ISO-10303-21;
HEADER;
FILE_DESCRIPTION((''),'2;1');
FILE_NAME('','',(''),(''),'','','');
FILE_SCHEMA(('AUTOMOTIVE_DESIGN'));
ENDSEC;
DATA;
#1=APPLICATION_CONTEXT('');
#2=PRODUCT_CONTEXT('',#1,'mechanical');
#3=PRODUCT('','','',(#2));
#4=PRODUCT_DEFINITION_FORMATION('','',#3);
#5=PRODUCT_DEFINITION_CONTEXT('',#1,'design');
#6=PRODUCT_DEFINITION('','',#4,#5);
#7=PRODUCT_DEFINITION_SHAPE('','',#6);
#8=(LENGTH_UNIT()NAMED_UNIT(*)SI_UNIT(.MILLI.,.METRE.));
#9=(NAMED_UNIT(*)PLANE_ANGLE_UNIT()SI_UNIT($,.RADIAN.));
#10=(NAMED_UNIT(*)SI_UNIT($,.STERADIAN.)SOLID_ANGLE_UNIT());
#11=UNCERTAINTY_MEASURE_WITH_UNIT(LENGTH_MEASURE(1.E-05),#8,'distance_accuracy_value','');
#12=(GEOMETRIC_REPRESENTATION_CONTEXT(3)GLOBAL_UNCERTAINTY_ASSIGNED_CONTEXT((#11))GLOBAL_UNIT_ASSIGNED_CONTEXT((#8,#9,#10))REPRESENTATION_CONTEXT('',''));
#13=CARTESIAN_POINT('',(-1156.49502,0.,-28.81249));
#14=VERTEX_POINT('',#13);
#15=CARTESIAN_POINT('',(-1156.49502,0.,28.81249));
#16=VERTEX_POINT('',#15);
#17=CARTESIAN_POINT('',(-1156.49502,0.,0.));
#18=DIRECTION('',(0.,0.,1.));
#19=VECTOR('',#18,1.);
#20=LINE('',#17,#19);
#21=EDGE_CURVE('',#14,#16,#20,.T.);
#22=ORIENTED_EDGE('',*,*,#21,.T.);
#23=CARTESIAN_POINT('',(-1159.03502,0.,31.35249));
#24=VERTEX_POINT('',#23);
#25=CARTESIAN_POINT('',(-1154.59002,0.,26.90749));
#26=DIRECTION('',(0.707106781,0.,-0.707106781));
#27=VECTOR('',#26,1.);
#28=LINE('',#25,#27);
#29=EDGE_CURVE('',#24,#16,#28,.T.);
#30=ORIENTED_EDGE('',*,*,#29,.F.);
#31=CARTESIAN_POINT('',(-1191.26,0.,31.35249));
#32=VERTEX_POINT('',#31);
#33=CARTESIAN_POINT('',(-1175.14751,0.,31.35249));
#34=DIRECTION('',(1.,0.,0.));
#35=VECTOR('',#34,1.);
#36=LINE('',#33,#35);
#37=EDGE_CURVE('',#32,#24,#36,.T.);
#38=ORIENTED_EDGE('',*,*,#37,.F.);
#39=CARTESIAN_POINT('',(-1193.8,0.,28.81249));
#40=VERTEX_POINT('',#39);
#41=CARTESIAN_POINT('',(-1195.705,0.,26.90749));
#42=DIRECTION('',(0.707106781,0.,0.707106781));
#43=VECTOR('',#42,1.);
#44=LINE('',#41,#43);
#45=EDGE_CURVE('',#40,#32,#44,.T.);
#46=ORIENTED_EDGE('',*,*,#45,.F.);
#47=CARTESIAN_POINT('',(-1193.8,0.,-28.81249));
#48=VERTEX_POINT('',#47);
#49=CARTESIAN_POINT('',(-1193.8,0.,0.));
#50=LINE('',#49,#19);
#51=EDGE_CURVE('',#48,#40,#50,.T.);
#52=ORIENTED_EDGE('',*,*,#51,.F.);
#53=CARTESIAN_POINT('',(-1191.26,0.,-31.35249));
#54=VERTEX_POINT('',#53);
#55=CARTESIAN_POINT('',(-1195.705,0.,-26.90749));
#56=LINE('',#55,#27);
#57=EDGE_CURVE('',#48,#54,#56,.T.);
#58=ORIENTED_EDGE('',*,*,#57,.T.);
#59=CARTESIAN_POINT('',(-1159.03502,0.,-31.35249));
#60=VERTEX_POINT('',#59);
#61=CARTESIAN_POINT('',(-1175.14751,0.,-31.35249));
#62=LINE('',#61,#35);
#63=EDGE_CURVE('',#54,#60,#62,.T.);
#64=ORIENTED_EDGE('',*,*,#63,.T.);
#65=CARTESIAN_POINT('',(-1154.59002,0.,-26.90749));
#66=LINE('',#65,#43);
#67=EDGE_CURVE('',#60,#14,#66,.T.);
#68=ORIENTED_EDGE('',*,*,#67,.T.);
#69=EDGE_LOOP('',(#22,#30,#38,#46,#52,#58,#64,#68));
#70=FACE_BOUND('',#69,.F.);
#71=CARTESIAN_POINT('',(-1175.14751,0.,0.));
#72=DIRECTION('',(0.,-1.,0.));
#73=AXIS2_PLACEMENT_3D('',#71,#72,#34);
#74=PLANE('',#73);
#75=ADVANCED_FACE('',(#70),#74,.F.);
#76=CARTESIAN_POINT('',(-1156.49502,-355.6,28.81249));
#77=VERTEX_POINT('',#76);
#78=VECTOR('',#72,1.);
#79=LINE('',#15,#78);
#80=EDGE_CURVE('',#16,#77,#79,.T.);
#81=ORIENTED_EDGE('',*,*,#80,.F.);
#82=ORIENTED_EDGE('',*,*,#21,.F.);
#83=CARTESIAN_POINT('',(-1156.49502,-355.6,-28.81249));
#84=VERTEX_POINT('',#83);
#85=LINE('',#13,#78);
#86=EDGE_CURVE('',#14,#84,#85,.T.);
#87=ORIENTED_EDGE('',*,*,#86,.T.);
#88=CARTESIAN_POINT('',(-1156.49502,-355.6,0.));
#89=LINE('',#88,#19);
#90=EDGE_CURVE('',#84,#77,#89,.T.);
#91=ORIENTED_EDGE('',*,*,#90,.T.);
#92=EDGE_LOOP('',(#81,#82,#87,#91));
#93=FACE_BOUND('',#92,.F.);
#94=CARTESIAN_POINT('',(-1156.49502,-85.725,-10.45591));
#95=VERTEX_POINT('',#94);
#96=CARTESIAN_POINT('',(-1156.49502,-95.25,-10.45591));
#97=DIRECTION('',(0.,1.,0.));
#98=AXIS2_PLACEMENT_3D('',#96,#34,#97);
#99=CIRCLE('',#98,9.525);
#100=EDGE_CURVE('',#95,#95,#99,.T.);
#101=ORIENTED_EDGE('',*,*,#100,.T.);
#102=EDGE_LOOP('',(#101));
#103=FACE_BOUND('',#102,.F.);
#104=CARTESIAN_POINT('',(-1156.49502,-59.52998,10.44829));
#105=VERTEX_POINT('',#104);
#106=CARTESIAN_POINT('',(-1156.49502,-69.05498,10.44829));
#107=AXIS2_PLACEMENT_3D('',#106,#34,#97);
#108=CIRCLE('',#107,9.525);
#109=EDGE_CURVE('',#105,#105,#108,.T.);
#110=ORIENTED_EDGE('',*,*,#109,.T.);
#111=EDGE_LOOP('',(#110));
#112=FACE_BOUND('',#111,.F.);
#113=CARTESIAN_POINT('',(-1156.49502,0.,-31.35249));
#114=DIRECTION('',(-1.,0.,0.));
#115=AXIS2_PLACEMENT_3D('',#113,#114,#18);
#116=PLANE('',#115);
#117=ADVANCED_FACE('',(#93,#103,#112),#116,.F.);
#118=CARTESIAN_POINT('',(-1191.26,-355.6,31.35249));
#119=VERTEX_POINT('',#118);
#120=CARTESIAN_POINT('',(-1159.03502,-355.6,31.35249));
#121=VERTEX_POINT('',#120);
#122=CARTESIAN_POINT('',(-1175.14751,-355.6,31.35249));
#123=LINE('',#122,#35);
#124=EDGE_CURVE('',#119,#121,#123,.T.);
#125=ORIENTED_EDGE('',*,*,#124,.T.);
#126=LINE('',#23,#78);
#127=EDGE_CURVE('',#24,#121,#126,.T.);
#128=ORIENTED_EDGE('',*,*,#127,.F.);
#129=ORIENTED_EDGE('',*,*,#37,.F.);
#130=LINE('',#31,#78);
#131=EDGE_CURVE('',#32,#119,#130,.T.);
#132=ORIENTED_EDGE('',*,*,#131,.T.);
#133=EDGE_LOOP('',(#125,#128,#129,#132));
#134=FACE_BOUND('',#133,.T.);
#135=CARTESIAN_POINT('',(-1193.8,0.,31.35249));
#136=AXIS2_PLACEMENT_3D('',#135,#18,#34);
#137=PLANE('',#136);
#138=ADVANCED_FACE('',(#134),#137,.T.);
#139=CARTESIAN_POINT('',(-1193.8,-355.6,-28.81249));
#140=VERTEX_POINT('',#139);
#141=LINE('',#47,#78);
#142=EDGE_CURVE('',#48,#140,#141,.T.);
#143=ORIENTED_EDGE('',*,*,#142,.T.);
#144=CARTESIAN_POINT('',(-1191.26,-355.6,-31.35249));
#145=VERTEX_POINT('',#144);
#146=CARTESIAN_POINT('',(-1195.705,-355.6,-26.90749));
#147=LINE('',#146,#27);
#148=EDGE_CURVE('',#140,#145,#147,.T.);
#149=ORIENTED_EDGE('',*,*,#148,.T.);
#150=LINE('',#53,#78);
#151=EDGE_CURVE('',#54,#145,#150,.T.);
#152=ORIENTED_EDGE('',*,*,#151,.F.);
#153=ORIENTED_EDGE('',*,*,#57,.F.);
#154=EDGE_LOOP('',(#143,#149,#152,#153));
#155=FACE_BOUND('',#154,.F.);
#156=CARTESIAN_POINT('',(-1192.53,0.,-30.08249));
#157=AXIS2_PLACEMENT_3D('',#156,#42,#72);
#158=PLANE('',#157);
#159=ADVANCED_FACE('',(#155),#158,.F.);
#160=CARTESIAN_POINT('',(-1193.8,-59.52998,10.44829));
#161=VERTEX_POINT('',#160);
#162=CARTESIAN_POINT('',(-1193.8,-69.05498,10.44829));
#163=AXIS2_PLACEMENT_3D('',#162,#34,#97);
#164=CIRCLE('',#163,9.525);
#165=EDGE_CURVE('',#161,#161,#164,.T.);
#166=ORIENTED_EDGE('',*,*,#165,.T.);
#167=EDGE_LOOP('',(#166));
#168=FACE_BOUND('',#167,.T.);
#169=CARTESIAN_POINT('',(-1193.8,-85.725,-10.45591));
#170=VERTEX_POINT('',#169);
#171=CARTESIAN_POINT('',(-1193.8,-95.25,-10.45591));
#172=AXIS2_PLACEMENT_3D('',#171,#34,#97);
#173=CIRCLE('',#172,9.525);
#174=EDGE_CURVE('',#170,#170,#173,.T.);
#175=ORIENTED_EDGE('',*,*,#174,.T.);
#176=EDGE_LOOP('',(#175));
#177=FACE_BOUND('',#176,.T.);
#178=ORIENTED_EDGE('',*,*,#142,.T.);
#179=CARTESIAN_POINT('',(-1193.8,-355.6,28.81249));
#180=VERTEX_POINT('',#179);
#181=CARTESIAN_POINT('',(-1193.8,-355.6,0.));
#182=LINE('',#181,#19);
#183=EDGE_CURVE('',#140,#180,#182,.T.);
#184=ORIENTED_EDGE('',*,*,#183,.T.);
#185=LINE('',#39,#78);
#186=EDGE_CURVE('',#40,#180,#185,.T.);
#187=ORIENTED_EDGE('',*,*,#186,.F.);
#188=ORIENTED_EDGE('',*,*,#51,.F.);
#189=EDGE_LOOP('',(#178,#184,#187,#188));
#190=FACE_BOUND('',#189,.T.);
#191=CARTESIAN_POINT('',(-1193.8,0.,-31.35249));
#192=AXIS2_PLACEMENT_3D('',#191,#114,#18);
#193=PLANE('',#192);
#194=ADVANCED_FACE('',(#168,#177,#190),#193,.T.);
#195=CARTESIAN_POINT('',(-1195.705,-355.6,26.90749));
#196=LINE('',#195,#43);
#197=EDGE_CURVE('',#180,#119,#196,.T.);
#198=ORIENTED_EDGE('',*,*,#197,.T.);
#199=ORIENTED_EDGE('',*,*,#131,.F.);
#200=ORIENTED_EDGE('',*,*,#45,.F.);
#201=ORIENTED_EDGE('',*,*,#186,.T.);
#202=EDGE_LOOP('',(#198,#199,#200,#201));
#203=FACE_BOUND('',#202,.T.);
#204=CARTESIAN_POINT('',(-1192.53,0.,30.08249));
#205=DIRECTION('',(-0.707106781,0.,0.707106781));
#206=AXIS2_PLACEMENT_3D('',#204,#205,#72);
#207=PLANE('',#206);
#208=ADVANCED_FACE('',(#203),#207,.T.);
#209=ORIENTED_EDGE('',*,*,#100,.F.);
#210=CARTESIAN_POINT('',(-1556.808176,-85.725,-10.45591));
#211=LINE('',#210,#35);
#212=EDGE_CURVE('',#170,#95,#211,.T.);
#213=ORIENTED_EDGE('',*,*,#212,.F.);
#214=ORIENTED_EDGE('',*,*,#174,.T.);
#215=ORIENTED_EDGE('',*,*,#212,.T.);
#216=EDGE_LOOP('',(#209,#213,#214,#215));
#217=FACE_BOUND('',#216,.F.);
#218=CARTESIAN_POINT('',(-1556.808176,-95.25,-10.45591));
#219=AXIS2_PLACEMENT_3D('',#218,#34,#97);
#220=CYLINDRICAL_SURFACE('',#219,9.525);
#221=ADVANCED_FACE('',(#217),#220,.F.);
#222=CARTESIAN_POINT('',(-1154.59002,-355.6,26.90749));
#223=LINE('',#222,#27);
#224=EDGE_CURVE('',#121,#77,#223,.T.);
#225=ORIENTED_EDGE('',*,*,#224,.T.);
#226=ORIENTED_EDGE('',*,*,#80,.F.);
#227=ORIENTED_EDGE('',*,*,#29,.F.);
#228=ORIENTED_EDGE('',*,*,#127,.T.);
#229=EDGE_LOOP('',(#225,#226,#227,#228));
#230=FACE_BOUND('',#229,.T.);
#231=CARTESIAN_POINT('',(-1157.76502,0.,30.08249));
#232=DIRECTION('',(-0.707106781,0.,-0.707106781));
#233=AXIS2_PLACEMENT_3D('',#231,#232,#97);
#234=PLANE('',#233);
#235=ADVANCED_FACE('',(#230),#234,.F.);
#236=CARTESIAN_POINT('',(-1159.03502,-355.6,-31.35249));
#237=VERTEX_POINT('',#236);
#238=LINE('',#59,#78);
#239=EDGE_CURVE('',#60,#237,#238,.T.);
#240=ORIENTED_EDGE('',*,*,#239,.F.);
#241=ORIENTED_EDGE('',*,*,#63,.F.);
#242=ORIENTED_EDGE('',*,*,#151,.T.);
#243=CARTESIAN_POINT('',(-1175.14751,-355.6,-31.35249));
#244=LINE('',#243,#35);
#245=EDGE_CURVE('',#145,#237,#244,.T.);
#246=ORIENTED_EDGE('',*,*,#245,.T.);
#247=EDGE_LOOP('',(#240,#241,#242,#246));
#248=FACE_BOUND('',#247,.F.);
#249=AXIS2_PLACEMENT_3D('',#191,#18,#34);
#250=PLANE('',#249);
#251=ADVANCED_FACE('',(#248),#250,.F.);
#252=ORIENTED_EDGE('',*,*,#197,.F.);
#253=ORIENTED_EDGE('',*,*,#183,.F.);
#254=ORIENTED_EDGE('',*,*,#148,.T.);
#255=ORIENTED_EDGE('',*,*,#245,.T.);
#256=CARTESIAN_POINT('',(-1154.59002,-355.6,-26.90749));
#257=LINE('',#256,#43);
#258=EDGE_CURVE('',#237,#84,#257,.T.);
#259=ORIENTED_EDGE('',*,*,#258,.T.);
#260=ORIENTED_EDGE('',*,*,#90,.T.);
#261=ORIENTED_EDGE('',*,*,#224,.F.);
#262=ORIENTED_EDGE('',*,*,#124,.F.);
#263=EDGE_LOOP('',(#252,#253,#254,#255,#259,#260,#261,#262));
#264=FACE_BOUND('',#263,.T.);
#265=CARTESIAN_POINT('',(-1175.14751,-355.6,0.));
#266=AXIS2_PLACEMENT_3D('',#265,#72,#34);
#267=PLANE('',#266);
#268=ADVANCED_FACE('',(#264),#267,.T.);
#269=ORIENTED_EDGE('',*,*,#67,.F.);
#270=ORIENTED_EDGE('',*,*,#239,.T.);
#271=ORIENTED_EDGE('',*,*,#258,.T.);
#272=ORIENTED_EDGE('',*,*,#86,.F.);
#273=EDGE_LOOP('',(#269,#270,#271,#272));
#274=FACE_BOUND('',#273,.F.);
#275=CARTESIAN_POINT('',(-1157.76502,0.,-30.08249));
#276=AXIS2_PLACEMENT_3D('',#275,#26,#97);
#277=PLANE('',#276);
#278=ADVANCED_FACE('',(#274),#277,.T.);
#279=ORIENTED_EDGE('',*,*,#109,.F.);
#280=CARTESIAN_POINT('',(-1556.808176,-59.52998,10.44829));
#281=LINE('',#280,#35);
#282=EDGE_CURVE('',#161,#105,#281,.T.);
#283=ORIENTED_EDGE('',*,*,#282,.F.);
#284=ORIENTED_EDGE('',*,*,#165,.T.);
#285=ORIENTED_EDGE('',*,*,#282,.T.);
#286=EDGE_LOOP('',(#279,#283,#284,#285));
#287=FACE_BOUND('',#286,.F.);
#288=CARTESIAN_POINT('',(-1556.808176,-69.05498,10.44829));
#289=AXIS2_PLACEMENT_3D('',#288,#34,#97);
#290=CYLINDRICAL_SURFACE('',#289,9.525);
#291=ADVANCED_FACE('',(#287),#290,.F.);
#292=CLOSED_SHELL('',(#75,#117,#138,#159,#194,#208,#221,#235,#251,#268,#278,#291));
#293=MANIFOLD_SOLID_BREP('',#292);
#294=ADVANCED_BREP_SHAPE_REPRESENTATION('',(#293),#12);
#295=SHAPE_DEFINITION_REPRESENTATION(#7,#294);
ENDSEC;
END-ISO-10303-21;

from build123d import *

# Parameters (mm, degrees)
F0_W     = 37.30498
F0_H     = 62.70498
F1_DEPTH = 355.6
F3_D     = 19.05
F4_SIZE  = 2.54


with BuildPart() as f1:
    # F0 (on Front) → F1 (new body)
    with BuildSketch(Plane.XZ):
        with Locations((-1175.14751, 0)):
            Rectangle(F0_W, F0_H)
    extrude(amount=F1_DEPTH)

    # F3 (through all)
    with Locations(Plane(origin=(-1193.8, 0, 0), x_dir=(0, -1, 0), z_dir=(-1, 0, 0))):
        with Locations((69.05498, 10.44829), (95.25, -10.45591)):
            Hole(F3_D / 2)

    # F4
    f4_edges = [f1.edges().sort_by_distance(p)[0] for p in [
        (-1193.8, -177.8, 31.35249),
        (-1156.49502, -177.8, 31.35249),
        (-1193.8, -177.8, -31.35249),
        (-1156.49502, -177.8, -31.35249),
    ]]
    chamfer(f4_edges, length=F4_SIZE)


solid = f1.part
